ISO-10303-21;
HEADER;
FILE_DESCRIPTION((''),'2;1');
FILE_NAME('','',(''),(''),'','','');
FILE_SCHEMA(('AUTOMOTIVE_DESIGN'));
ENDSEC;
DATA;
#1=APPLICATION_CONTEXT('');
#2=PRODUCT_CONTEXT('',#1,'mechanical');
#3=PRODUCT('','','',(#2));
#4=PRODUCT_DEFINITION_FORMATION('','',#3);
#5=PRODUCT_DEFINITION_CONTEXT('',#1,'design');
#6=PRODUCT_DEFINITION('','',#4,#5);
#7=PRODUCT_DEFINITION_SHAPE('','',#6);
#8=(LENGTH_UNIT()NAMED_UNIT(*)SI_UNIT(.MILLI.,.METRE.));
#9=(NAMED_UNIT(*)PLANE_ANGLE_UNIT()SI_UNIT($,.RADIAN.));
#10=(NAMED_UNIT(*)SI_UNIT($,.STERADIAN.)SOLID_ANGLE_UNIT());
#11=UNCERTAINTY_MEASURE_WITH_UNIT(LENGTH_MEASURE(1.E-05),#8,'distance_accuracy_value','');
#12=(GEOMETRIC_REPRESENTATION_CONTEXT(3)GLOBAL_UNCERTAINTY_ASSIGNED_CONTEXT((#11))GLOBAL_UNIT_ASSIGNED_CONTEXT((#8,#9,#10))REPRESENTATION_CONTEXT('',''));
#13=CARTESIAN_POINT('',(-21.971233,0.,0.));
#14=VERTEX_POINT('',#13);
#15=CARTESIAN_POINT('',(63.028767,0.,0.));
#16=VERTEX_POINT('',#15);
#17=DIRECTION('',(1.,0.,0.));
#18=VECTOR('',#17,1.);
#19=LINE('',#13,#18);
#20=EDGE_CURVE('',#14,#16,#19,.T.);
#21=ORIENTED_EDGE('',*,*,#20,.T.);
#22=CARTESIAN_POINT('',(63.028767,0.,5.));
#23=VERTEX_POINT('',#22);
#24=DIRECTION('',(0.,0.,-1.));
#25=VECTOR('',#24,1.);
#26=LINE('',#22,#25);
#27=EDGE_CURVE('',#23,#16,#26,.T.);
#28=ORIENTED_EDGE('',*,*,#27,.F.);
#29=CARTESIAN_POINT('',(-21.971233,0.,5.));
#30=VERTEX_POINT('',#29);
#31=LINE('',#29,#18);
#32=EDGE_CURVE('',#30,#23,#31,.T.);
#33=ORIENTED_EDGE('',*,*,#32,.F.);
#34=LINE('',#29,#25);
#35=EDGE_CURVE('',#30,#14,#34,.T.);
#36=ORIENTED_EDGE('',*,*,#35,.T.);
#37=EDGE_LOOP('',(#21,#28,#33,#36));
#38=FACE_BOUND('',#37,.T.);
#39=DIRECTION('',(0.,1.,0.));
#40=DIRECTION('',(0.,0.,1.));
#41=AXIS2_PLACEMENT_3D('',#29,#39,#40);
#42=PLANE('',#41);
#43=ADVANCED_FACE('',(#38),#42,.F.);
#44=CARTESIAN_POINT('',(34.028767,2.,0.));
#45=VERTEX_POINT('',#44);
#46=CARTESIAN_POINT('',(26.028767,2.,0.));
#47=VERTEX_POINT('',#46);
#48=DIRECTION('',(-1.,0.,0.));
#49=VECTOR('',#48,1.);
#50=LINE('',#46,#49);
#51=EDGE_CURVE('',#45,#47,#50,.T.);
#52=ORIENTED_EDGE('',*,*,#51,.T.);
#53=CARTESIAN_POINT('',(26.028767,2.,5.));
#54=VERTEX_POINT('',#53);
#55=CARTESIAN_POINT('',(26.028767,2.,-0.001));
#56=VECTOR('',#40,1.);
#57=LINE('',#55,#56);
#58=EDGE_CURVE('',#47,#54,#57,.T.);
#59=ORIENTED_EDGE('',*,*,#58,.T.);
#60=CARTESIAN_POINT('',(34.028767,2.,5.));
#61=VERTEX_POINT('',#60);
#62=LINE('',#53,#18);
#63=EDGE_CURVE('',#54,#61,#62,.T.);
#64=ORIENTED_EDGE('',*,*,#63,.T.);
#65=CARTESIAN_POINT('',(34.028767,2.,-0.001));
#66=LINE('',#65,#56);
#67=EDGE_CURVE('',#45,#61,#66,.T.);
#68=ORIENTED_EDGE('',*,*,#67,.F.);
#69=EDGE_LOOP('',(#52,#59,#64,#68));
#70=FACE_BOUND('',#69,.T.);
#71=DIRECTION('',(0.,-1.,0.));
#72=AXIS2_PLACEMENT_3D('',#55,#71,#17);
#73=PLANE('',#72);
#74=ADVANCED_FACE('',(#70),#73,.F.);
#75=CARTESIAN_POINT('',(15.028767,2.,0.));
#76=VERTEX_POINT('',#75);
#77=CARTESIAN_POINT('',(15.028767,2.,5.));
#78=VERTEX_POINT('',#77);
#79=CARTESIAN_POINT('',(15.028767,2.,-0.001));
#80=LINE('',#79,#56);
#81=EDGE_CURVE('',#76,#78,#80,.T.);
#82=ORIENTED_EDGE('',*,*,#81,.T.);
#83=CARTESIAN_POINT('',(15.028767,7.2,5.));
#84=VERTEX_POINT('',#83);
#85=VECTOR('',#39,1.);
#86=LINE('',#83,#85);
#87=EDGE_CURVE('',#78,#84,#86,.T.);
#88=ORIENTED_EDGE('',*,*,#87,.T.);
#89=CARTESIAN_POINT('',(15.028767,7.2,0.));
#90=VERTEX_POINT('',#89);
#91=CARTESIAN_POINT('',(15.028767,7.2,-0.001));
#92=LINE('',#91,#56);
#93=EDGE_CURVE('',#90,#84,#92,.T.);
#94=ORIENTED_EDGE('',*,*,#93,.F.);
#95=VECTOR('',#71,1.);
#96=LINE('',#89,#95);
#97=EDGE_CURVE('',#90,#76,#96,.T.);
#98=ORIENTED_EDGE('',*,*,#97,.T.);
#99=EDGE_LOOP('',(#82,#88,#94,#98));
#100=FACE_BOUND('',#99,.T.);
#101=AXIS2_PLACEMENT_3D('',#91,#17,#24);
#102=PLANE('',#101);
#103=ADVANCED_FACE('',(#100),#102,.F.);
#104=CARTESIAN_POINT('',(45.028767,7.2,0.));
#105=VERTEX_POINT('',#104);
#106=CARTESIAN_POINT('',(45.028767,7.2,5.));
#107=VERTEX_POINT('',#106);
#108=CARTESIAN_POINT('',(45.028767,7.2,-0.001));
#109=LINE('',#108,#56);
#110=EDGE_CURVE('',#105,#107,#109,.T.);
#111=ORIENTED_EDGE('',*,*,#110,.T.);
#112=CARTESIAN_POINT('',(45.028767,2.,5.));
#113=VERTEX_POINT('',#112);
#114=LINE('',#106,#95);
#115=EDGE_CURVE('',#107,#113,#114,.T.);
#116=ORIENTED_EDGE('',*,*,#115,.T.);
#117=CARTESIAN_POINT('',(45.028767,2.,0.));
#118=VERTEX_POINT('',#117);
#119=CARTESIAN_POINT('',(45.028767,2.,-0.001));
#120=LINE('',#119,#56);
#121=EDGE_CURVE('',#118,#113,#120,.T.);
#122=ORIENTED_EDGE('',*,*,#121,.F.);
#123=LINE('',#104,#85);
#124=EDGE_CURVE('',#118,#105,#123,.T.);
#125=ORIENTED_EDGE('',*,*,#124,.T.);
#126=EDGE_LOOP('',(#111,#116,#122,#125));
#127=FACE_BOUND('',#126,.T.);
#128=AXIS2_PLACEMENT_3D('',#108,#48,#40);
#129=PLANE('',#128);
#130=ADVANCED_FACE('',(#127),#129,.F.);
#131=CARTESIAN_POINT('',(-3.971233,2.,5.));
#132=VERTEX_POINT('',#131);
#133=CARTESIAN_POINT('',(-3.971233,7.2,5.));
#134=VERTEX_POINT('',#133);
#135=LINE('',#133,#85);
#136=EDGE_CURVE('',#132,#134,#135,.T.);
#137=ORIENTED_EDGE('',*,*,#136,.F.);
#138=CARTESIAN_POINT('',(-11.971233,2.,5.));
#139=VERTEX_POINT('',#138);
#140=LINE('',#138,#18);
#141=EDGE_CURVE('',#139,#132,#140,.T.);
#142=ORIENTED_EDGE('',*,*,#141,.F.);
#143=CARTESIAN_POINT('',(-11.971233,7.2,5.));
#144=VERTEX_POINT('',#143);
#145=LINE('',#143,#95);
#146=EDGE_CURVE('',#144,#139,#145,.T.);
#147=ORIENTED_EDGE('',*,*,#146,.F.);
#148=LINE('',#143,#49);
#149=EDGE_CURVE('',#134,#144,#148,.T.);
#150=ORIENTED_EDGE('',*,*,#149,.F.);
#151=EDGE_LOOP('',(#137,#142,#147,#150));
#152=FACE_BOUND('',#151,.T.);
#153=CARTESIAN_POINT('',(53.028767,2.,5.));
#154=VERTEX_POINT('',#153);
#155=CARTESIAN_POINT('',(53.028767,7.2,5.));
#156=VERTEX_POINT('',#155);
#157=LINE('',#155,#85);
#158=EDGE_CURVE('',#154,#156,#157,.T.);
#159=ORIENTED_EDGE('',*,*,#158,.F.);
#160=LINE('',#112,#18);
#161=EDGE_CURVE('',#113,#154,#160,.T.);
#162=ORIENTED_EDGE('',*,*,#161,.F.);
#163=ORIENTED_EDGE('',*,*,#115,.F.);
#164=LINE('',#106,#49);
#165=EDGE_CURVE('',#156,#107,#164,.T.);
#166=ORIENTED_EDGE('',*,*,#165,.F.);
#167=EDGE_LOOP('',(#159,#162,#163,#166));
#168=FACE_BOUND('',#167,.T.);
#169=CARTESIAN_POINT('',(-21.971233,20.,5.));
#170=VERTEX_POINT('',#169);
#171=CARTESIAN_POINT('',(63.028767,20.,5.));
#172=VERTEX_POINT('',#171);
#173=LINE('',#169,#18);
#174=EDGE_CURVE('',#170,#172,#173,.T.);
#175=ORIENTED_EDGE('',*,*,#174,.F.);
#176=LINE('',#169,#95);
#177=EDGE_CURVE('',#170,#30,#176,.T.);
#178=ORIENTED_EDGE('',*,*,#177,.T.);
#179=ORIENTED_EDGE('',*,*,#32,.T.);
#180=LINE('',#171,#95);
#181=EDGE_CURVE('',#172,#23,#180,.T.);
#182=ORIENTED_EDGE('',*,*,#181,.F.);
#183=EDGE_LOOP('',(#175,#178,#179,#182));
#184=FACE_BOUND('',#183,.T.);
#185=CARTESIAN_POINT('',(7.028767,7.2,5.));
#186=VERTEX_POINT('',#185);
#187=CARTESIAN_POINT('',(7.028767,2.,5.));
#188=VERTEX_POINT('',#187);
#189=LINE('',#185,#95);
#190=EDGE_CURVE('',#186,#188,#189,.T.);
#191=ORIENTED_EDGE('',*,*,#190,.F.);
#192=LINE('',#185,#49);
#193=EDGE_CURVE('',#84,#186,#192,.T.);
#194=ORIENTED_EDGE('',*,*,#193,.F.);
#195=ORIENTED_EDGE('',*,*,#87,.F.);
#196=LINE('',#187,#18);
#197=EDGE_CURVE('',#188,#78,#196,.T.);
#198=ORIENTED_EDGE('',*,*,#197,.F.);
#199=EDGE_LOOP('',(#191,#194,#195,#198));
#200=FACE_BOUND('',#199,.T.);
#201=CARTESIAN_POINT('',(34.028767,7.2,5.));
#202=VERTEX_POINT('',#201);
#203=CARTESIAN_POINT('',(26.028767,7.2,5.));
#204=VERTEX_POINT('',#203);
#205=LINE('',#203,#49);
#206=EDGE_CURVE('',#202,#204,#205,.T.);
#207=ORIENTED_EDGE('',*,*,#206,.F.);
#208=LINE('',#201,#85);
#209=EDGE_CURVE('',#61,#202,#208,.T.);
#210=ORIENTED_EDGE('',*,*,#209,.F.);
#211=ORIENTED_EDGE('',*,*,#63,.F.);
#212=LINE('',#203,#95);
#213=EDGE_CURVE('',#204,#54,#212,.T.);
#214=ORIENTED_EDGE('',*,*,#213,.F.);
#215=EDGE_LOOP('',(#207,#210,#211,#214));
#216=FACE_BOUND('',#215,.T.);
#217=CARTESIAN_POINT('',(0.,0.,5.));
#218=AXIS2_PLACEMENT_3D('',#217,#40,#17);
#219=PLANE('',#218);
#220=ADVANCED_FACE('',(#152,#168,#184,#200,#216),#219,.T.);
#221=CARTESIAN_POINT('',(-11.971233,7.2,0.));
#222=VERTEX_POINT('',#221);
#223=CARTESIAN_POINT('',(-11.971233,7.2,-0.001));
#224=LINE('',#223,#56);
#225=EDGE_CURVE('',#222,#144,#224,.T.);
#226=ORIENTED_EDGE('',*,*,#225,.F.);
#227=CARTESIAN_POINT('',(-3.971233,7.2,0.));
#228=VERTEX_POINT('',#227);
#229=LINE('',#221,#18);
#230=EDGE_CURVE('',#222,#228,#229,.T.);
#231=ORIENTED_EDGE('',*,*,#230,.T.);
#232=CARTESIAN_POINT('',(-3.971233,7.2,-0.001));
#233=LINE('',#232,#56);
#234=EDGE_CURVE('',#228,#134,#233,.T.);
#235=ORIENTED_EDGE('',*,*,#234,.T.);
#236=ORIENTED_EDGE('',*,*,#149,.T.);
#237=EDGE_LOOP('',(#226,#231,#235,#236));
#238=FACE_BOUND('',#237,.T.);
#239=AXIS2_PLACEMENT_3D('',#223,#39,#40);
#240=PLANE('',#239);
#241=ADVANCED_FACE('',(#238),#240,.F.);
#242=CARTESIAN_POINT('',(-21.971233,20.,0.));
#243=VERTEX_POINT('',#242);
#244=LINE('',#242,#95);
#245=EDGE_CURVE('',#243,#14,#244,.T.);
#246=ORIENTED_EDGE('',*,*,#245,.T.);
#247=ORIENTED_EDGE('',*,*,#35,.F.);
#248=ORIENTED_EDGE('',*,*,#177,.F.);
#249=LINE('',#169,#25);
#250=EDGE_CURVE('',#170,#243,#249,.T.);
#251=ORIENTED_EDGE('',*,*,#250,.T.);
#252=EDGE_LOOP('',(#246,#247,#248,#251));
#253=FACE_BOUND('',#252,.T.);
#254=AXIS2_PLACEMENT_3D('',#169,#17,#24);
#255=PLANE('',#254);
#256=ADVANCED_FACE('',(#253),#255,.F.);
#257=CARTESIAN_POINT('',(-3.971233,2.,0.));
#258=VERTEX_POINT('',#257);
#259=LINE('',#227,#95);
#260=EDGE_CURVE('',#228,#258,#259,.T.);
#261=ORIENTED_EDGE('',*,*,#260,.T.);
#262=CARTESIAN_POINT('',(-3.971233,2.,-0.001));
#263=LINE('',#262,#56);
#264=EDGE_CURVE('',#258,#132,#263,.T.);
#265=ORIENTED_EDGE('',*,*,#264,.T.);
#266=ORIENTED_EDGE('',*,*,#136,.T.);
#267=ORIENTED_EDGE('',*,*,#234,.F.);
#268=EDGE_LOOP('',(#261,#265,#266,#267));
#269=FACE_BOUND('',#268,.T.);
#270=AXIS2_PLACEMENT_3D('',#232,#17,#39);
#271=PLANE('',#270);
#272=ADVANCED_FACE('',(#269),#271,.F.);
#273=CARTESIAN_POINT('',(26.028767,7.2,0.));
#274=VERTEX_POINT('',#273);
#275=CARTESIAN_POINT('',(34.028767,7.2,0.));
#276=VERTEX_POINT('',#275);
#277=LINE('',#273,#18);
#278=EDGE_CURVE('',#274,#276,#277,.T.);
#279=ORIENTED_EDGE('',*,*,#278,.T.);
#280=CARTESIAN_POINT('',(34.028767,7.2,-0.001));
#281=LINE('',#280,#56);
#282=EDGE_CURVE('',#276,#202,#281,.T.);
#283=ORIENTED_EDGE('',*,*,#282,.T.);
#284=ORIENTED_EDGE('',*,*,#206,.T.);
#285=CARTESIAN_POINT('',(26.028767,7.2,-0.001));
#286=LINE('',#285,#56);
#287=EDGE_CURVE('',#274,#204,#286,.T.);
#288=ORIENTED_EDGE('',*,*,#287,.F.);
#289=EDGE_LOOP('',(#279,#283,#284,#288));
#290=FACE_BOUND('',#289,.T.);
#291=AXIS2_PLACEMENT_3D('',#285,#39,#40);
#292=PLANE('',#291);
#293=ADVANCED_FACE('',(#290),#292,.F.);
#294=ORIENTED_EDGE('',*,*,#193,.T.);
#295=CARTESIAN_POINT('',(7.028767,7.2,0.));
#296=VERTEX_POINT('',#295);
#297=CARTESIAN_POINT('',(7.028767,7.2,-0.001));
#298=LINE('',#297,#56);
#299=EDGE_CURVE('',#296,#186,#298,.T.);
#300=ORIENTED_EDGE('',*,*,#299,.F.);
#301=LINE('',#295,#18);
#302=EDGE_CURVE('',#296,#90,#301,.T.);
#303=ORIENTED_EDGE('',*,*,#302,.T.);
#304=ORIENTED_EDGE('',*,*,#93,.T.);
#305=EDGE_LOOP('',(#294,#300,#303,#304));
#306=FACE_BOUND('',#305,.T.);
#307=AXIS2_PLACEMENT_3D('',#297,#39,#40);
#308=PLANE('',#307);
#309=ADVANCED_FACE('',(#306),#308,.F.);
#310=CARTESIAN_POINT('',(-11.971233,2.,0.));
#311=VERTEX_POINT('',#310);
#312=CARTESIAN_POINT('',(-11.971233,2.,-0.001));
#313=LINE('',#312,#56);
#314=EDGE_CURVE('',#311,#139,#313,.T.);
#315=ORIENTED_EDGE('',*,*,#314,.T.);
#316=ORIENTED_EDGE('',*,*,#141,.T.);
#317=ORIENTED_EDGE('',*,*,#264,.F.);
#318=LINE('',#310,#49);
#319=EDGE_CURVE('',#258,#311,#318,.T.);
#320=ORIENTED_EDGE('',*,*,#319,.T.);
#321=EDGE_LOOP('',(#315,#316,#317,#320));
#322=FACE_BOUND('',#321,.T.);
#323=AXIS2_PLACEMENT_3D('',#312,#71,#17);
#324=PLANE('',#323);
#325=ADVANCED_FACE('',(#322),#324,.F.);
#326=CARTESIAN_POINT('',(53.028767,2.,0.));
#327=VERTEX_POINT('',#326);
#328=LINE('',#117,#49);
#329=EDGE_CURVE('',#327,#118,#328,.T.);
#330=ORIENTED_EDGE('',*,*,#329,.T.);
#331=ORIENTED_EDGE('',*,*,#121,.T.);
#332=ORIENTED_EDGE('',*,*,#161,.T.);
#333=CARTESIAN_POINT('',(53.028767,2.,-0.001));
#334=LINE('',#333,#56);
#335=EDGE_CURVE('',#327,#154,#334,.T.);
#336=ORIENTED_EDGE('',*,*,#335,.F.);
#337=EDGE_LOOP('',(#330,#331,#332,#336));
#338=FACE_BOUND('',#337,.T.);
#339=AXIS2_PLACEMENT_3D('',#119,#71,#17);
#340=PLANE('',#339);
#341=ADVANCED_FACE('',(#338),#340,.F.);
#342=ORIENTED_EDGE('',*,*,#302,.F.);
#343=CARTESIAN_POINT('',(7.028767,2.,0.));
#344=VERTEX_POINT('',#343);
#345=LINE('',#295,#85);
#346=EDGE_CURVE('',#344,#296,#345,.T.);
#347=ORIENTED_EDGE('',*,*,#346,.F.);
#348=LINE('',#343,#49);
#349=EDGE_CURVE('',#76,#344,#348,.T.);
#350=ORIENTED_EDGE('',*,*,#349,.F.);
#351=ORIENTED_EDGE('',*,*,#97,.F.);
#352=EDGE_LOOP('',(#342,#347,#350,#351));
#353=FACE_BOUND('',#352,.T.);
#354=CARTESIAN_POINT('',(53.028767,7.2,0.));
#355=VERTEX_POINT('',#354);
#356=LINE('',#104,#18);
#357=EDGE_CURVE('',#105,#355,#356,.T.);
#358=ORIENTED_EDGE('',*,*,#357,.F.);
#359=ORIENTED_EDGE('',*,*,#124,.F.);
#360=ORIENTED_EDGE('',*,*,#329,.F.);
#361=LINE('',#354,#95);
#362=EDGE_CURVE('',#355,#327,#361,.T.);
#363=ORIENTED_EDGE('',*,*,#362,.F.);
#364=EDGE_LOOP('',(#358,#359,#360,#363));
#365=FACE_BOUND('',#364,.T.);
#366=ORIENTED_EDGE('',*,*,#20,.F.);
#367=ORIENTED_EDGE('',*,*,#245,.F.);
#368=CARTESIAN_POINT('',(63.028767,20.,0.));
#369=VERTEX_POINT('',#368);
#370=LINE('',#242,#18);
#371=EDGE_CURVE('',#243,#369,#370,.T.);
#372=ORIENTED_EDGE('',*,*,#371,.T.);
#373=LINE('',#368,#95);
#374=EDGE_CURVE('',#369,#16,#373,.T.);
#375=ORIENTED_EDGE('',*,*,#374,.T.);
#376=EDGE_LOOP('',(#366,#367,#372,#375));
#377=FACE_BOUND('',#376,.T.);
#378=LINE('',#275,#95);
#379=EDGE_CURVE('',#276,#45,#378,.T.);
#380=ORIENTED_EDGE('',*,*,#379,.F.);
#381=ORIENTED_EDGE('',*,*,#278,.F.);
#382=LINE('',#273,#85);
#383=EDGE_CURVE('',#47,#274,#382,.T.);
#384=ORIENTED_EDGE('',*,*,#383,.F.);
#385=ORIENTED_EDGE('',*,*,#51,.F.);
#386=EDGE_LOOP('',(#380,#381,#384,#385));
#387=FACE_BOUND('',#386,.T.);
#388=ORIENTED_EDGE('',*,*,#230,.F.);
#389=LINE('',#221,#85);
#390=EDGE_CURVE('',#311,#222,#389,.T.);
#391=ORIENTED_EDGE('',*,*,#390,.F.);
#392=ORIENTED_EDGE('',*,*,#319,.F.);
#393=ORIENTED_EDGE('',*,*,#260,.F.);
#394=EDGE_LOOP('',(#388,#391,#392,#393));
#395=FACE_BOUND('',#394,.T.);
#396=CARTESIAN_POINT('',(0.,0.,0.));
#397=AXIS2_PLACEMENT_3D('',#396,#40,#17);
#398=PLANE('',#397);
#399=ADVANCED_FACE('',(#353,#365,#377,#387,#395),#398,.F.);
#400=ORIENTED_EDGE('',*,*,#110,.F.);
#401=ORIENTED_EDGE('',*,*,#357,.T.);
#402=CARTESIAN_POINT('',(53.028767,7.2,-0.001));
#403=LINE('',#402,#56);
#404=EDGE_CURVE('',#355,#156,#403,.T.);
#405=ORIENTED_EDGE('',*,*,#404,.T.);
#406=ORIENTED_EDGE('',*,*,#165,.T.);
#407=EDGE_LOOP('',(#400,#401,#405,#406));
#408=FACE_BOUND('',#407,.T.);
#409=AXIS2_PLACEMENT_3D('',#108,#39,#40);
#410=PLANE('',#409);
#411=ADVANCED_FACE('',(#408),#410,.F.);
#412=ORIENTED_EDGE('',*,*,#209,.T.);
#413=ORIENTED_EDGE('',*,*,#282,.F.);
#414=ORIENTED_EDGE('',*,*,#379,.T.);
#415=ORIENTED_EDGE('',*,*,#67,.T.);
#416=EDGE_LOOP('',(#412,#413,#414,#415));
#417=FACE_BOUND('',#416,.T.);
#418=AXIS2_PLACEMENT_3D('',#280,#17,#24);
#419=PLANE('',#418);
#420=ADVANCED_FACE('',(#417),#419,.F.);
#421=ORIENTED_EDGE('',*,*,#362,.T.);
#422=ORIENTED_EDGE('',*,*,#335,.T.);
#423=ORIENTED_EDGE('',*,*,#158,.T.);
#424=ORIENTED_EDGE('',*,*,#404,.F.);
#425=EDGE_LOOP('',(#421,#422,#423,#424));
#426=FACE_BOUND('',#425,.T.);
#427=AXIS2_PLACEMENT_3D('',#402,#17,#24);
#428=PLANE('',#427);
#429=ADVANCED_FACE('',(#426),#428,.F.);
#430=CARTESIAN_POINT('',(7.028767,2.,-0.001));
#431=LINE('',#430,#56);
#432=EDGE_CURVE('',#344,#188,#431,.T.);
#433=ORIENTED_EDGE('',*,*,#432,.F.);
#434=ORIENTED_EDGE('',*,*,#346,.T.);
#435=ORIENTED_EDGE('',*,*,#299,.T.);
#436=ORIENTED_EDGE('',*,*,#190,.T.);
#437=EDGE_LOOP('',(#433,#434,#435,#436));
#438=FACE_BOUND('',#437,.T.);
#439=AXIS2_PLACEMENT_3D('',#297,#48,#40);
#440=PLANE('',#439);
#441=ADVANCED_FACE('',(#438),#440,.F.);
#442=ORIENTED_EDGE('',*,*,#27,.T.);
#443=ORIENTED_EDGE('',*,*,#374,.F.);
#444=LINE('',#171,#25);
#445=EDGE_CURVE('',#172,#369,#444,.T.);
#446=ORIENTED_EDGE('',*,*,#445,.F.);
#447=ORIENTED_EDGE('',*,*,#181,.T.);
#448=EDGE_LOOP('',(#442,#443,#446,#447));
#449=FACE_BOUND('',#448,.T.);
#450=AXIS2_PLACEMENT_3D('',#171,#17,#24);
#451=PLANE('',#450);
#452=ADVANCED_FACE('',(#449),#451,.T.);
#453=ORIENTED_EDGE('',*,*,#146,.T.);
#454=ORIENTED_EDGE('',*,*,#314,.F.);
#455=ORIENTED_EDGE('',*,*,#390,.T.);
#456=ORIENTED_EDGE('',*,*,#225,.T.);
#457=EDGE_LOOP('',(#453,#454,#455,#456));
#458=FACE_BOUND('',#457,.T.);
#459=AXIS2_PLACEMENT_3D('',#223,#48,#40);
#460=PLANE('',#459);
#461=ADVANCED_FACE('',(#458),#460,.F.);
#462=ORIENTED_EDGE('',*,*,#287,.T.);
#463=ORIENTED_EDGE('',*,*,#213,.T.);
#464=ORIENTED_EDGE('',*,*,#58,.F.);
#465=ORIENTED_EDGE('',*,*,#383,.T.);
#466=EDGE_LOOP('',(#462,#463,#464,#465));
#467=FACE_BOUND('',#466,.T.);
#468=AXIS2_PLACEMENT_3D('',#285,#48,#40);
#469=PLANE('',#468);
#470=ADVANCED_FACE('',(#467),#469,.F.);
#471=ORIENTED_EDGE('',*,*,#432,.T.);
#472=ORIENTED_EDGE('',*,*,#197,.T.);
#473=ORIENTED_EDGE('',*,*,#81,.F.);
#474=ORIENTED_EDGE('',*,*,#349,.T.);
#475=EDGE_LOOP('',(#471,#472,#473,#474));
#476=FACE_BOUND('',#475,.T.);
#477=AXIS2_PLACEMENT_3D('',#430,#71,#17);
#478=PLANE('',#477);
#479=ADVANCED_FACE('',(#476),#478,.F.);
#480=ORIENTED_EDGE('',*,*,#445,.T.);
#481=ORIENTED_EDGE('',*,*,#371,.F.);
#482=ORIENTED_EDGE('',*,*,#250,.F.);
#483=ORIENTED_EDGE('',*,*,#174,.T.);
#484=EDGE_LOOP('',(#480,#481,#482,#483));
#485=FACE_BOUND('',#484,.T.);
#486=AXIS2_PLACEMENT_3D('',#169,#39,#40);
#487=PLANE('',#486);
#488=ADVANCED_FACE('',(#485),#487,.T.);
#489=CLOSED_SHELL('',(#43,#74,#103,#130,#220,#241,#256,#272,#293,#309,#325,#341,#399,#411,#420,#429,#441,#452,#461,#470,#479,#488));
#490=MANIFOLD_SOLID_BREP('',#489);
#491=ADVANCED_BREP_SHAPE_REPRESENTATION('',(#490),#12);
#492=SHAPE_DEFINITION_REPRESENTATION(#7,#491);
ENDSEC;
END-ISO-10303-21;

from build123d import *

# Parameters (mm, degrees)
SKETCH1_W           = 85
SKETCH1_H           = 20
BOSS_EXTRUDE1_DEPTH = 5
CUT_EXTRUDE1_REACH  = 7
SKETCH2_W           = 8
SKETCH2_H           = 5.2


with BuildPart() as part:
    # Sketch1 → Boss-Extrude1 (new body)
    with BuildSketch(Plane.XY):
        with Locations((20.528766582, 10)):
            Rectangle(SKETCH1_W, SKETCH1_H)
    extrude(amount=BOSS_EXTRUDE1_DEPTH)

    # Sketch2 → Cut-Extrude1 (cut, up to next)
    with BuildSketch(Plane.XY.offset(5), mode=Mode.PRIVATE) as cut_extrude1_sk1:
        with Locations((-7.971233418, 4.6)):
            Rectangle(SKETCH2_W, SKETCH2_H)
    cut_extrude1_tool1 = extrude(cut_extrude1_sk1.sketch, amount=-CUT_EXTRUDE1_REACH, mode=Mode.PRIVATE) & part.part
    add(cut_extrude1_tool1.solids().sort_by_distance((-7.971233, 4.6, 5))[0], mode=Mode.SUBTRACT)
    # Sketch2 → Cut-Extrude1 (cut, up to next)
    with BuildSketch(Plane.XY.offset(5), mode=Mode.PRIVATE) as cut_extrude1_sk2:
        with Locations((11.028766582, 4.6)):
            Rectangle(SKETCH2_W, SKETCH2_H)
    cut_extrude1_tool2 = extrude(cut_extrude1_sk2.sketch, amount=-CUT_EXTRUDE1_REACH, mode=Mode.PRIVATE) & part.part
    add(cut_extrude1_tool2.solids().sort_by_distance((11.028767, 4.6, 5))[0], mode=Mode.SUBTRACT)
    # Sketch2 → Cut-Extrude1 (cut, up to next)
    with BuildSketch(Plane.XY.offset(5), mode=Mode.PRIVATE) as cut_extrude1_sk3:
        with Locations((30.028766582, 4.6)):
            Rectangle(SKETCH2_W, SKETCH2_H)
    cut_extrude1_tool3 = extrude(cut_extrude1_sk3.sketch, amount=-CUT_EXTRUDE1_REACH, mode=Mode.PRIVATE) & part.part
    add(cut_extrude1_tool3.solids().sort_by_distance((30.028767, 4.6, 5))[0], mode=Mode.SUBTRACT)
    # Sketch2 → Cut-Extrude1 (cut, up to next)
    with BuildSketch(Plane.XY.offset(5), mode=Mode.PRIVATE) as cut_extrude1_sk4:
        with Locations((49.028766582, 4.6)):
            Rectangle(SKETCH2_W, SKETCH2_H)
    cut_extrude1_tool4 = extrude(cut_extrude1_sk4.sketch, amount=-CUT_EXTRUDE1_REACH, mode=Mode.PRIVATE) & part.part
    add(cut_extrude1_tool4.solids().sort_by_distance((49.028767, 4.6, 5))[0], mode=Mode.SUBTRACT)


solid = part.part
